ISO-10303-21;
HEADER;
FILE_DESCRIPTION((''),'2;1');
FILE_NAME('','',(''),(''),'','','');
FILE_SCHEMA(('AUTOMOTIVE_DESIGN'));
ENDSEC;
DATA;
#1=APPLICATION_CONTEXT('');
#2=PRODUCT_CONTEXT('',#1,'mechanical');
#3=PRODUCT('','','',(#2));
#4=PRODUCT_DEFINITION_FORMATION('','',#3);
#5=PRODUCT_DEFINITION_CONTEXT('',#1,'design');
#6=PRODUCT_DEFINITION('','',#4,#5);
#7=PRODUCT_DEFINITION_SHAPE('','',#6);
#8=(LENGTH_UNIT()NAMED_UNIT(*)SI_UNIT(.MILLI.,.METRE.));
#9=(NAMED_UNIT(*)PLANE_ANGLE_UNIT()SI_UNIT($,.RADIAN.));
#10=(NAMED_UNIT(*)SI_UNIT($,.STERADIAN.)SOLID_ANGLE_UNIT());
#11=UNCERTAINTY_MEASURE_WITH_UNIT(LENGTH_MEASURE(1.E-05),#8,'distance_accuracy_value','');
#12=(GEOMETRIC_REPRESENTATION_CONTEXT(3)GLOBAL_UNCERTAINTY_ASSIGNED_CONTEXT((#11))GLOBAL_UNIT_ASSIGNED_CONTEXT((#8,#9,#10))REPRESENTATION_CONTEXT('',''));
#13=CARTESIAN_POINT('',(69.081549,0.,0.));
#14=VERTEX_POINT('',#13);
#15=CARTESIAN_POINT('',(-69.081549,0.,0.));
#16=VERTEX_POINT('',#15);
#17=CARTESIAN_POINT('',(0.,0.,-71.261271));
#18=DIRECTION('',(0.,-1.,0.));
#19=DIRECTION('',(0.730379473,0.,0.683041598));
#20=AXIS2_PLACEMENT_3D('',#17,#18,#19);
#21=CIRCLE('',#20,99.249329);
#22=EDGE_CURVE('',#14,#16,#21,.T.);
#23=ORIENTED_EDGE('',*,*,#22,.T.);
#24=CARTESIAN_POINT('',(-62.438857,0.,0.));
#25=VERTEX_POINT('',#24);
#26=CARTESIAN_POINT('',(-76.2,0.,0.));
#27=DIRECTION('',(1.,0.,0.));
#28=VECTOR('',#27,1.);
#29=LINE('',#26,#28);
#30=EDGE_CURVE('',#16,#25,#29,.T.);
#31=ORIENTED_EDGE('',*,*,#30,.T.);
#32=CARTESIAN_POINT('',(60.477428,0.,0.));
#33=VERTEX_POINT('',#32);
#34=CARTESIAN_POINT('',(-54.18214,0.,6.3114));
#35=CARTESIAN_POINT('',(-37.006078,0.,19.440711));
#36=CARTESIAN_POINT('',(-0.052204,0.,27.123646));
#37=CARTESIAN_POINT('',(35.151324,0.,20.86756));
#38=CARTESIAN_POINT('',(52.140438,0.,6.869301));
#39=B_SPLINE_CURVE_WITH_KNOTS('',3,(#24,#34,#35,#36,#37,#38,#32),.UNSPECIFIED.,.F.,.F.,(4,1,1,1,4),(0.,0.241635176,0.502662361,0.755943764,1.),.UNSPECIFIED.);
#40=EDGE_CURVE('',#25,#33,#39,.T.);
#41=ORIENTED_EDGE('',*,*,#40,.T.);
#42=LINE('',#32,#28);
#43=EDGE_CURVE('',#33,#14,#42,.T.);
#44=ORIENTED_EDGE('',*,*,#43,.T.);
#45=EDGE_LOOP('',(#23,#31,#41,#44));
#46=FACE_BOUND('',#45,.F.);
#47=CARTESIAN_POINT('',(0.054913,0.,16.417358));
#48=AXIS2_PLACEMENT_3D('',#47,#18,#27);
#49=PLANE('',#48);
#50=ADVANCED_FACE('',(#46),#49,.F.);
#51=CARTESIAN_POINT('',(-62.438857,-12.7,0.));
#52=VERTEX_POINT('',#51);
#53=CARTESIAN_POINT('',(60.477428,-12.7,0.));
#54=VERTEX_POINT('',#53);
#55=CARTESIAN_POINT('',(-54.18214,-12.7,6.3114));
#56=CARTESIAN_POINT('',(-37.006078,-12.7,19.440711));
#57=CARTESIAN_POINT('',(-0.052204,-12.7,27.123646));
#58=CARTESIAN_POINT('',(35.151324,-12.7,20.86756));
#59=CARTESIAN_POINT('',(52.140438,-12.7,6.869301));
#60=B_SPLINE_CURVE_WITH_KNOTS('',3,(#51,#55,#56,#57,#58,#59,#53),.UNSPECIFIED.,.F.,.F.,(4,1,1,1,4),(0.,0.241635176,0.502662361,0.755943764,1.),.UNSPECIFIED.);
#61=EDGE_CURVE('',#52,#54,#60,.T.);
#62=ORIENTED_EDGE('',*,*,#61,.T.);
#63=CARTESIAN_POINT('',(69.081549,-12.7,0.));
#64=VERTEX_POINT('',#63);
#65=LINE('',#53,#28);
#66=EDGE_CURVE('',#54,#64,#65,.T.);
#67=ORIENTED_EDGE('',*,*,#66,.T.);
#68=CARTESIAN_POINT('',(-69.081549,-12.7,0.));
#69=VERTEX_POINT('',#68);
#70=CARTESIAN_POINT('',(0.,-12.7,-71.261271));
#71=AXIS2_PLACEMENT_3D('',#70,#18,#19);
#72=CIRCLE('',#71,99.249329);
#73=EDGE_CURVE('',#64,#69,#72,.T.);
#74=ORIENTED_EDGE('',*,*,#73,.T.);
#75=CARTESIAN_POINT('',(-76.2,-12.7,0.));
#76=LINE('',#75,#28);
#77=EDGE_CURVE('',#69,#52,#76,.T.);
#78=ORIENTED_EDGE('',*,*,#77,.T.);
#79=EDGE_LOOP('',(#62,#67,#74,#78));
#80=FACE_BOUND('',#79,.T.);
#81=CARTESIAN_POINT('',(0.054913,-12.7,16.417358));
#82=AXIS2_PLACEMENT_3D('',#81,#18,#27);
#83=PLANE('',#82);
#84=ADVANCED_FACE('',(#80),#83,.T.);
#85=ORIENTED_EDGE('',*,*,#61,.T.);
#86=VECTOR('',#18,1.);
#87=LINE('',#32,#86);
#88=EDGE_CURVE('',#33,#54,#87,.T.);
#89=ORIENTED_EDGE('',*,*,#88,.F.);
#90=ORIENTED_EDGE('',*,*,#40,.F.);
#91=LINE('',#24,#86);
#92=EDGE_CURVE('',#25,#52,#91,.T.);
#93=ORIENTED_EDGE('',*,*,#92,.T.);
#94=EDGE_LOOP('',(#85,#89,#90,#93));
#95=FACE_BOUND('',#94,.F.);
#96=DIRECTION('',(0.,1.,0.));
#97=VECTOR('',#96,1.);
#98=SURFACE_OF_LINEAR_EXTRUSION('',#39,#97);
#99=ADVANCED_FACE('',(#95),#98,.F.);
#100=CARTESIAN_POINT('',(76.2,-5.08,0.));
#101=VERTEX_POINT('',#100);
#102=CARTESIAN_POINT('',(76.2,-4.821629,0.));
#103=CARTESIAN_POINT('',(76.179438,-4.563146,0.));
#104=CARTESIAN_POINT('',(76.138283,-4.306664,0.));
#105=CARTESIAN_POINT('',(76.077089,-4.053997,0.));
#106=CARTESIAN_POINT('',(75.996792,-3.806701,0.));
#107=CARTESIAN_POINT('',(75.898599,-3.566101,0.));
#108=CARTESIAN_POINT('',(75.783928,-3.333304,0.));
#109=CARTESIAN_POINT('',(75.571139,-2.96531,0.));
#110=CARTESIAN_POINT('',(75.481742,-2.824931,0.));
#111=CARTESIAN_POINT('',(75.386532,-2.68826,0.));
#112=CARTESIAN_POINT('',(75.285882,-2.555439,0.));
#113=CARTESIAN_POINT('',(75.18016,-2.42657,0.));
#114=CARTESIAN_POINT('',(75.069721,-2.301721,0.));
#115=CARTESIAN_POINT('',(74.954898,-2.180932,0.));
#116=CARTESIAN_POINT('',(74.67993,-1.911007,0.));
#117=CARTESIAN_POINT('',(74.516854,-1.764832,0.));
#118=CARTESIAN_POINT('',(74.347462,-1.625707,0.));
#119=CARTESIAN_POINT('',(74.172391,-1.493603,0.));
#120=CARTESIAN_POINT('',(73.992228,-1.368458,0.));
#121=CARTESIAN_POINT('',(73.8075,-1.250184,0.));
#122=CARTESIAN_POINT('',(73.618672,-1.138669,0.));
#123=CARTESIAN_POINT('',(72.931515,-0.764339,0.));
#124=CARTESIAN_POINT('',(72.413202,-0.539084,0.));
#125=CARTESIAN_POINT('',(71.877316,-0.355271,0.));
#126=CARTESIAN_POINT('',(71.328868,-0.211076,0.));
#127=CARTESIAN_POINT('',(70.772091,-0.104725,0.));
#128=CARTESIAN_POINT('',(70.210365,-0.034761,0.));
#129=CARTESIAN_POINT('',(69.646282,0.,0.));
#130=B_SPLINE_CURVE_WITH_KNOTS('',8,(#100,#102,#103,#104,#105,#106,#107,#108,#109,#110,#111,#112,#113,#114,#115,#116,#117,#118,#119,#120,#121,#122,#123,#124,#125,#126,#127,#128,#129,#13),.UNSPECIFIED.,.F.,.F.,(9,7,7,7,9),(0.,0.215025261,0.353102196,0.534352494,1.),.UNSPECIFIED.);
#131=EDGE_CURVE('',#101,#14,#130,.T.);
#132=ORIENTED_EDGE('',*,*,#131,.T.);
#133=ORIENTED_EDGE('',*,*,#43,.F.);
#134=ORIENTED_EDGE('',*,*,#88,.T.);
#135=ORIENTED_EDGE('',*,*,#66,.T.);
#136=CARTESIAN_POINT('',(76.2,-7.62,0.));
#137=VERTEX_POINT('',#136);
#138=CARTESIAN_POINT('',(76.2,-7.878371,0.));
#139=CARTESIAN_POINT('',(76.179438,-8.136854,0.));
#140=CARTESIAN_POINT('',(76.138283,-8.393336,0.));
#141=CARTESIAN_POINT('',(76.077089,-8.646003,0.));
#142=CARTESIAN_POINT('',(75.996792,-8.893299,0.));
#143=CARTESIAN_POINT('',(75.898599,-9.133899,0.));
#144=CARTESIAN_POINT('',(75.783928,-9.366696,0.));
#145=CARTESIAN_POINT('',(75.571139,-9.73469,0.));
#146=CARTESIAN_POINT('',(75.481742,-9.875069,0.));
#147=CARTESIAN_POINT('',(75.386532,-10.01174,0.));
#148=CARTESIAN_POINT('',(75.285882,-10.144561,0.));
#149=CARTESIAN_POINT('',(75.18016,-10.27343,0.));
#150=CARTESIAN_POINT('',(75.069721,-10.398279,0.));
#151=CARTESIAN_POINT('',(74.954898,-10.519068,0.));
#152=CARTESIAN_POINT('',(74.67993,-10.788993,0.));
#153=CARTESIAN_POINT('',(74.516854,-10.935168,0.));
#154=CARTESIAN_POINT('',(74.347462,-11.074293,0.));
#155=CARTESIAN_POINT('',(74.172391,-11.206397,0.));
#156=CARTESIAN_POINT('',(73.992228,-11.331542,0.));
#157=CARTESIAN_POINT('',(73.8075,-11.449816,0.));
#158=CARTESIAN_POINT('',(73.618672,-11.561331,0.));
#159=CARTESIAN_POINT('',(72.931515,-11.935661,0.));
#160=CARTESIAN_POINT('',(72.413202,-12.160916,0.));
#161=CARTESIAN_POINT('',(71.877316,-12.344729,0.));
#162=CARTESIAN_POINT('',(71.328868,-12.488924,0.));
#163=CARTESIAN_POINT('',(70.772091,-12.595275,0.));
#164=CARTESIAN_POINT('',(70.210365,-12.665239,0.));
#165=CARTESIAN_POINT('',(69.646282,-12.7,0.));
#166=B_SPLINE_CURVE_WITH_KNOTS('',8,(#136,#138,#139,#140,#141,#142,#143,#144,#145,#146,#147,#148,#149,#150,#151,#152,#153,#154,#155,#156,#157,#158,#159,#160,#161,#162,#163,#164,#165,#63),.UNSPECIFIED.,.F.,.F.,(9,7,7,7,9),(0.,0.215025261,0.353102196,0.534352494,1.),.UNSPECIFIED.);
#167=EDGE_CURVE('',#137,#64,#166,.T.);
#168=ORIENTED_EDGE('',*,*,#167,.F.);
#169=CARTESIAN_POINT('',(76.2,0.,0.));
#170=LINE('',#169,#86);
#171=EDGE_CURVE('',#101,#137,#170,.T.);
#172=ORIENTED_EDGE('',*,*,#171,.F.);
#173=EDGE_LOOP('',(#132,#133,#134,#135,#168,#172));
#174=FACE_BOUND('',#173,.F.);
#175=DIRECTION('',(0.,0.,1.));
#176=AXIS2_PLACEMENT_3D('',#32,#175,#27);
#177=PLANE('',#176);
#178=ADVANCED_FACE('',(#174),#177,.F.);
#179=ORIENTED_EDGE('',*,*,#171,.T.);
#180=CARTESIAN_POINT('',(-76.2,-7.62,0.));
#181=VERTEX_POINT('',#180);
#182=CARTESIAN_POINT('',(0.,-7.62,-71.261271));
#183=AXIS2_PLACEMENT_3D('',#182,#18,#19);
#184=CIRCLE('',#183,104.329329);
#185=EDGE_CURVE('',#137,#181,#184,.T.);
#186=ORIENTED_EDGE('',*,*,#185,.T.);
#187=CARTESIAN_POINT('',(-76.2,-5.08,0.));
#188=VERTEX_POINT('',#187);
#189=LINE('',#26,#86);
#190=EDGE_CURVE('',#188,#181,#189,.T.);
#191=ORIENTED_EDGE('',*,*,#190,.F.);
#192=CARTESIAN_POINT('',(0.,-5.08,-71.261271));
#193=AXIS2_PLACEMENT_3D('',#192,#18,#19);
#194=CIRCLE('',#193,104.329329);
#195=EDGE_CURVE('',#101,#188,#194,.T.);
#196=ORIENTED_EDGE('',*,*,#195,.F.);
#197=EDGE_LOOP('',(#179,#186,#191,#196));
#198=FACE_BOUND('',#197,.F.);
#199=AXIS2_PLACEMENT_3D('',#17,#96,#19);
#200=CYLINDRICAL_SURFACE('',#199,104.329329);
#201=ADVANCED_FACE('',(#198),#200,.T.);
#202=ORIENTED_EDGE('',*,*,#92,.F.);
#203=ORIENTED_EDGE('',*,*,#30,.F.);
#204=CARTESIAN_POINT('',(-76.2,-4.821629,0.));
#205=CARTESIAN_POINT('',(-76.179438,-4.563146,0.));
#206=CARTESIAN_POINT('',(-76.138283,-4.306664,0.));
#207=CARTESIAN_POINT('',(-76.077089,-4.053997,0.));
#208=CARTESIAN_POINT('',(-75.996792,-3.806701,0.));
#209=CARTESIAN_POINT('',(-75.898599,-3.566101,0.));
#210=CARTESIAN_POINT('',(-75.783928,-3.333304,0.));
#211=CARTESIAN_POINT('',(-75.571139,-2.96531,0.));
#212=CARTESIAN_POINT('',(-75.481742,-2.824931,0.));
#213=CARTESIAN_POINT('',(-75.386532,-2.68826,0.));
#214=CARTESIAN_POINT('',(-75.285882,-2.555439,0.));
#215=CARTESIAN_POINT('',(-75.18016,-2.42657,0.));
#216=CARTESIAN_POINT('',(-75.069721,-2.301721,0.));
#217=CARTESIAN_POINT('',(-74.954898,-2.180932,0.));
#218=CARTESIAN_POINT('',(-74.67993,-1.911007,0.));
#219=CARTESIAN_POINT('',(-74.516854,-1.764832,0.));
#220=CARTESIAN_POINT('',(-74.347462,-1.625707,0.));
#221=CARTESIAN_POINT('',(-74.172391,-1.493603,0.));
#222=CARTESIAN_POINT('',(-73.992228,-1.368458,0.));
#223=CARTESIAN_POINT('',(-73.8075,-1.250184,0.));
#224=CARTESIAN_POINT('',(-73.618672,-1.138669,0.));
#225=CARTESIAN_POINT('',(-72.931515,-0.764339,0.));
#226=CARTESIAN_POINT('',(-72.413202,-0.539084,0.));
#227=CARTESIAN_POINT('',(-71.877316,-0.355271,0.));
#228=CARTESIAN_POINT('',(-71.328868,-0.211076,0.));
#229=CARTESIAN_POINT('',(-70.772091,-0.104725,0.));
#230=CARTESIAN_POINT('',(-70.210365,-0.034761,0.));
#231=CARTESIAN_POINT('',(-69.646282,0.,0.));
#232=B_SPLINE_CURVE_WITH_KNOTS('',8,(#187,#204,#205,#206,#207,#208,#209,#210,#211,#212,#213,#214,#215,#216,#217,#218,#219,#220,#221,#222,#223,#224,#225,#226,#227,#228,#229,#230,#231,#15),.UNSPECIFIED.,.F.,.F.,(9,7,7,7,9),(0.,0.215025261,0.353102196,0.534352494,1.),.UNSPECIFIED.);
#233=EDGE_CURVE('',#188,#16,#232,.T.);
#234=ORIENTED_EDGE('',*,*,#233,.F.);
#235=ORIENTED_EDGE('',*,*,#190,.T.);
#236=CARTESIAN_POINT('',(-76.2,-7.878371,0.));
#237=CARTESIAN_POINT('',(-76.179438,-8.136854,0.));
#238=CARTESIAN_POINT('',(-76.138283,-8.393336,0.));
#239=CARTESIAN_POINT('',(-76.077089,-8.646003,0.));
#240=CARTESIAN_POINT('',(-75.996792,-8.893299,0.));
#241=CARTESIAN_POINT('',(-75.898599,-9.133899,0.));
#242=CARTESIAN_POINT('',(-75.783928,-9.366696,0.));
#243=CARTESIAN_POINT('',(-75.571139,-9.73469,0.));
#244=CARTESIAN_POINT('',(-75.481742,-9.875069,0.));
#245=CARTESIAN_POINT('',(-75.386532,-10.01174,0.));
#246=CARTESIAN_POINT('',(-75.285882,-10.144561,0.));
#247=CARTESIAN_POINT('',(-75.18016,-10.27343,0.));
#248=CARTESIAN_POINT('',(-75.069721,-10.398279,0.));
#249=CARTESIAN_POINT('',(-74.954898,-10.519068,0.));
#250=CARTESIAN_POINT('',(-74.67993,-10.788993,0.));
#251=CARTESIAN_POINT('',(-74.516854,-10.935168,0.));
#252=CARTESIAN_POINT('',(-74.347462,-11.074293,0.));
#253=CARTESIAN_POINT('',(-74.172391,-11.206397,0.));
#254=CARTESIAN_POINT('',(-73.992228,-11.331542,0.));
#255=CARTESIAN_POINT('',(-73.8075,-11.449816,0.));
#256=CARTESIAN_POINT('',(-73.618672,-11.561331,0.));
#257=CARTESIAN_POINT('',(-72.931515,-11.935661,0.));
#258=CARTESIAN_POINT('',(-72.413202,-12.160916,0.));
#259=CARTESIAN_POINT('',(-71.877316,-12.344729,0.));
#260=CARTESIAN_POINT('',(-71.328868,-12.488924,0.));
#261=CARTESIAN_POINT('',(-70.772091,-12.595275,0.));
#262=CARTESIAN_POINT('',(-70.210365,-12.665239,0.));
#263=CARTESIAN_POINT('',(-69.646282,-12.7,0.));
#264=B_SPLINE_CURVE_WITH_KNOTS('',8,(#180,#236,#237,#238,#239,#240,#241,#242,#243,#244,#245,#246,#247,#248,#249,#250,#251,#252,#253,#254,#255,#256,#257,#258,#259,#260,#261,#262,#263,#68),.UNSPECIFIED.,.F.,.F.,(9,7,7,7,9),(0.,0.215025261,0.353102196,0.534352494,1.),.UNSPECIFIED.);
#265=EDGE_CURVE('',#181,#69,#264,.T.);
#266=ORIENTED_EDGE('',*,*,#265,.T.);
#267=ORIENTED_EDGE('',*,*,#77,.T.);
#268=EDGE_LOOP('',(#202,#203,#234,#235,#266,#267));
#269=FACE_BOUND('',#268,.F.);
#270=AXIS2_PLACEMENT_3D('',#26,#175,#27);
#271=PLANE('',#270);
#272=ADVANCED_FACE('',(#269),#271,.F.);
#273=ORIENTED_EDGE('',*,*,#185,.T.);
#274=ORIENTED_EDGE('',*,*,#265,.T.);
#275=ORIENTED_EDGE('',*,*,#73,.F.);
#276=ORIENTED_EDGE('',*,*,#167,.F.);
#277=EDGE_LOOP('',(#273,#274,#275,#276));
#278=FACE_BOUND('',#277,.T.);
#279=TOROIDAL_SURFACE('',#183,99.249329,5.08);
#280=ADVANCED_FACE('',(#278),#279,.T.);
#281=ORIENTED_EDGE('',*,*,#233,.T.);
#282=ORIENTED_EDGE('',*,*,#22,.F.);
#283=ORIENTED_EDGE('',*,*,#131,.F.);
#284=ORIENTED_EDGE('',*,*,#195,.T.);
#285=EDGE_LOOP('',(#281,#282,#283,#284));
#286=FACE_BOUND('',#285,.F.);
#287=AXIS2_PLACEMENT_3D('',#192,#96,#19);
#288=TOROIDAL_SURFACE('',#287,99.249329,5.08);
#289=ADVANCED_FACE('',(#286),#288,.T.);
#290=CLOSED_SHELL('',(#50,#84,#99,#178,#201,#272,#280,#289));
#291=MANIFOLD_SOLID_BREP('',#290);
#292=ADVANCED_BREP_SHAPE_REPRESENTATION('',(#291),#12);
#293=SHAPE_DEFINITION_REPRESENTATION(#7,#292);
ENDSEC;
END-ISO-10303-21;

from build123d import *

# Parameters (mm, degrees)
F1_DEPTH = 12.7
F2_R     = 5.08


with BuildPart() as f1:
    # F0 (on Front) → F1 (new body)
    with BuildSketch(Plane.XZ):
        with BuildLine():
            Line((60.4774281383, 0), (76.2, 0))
            ThreePointArc((76.2, 0), (0, 33.0680572014), (-76.2, 0))
            Line((-76.2, 0), (-62.4388568103, 0))
            add(Edge.make_bspline(
                [(-62.4388568103, 0), (-54.1821398565, 6.3114002898), (-37.0060775903, 19.4407112462), (-0.0522042487, 27.1236463975), (35.1513242907, 20.8675596011), (52.1404377983, 6.8693014867), (60.4774281383, 0)],
                knots=[0, 0, 0, 0, 0.2416351764, 0.5026623607, 0.7559437641, 1, 1, 1, 1], degree=3))
        make_face()
    extrude(amount=F1_DEPTH)

    # F2
    f2_edges = [f1.edges().sort_by_distance(p)[0] for p in [
        (0, -12.7, 33.068057),
        (0, 0, 33.068057),
    ]]
    fillet(f2_edges, radius=F2_R)


solid = f1.part
